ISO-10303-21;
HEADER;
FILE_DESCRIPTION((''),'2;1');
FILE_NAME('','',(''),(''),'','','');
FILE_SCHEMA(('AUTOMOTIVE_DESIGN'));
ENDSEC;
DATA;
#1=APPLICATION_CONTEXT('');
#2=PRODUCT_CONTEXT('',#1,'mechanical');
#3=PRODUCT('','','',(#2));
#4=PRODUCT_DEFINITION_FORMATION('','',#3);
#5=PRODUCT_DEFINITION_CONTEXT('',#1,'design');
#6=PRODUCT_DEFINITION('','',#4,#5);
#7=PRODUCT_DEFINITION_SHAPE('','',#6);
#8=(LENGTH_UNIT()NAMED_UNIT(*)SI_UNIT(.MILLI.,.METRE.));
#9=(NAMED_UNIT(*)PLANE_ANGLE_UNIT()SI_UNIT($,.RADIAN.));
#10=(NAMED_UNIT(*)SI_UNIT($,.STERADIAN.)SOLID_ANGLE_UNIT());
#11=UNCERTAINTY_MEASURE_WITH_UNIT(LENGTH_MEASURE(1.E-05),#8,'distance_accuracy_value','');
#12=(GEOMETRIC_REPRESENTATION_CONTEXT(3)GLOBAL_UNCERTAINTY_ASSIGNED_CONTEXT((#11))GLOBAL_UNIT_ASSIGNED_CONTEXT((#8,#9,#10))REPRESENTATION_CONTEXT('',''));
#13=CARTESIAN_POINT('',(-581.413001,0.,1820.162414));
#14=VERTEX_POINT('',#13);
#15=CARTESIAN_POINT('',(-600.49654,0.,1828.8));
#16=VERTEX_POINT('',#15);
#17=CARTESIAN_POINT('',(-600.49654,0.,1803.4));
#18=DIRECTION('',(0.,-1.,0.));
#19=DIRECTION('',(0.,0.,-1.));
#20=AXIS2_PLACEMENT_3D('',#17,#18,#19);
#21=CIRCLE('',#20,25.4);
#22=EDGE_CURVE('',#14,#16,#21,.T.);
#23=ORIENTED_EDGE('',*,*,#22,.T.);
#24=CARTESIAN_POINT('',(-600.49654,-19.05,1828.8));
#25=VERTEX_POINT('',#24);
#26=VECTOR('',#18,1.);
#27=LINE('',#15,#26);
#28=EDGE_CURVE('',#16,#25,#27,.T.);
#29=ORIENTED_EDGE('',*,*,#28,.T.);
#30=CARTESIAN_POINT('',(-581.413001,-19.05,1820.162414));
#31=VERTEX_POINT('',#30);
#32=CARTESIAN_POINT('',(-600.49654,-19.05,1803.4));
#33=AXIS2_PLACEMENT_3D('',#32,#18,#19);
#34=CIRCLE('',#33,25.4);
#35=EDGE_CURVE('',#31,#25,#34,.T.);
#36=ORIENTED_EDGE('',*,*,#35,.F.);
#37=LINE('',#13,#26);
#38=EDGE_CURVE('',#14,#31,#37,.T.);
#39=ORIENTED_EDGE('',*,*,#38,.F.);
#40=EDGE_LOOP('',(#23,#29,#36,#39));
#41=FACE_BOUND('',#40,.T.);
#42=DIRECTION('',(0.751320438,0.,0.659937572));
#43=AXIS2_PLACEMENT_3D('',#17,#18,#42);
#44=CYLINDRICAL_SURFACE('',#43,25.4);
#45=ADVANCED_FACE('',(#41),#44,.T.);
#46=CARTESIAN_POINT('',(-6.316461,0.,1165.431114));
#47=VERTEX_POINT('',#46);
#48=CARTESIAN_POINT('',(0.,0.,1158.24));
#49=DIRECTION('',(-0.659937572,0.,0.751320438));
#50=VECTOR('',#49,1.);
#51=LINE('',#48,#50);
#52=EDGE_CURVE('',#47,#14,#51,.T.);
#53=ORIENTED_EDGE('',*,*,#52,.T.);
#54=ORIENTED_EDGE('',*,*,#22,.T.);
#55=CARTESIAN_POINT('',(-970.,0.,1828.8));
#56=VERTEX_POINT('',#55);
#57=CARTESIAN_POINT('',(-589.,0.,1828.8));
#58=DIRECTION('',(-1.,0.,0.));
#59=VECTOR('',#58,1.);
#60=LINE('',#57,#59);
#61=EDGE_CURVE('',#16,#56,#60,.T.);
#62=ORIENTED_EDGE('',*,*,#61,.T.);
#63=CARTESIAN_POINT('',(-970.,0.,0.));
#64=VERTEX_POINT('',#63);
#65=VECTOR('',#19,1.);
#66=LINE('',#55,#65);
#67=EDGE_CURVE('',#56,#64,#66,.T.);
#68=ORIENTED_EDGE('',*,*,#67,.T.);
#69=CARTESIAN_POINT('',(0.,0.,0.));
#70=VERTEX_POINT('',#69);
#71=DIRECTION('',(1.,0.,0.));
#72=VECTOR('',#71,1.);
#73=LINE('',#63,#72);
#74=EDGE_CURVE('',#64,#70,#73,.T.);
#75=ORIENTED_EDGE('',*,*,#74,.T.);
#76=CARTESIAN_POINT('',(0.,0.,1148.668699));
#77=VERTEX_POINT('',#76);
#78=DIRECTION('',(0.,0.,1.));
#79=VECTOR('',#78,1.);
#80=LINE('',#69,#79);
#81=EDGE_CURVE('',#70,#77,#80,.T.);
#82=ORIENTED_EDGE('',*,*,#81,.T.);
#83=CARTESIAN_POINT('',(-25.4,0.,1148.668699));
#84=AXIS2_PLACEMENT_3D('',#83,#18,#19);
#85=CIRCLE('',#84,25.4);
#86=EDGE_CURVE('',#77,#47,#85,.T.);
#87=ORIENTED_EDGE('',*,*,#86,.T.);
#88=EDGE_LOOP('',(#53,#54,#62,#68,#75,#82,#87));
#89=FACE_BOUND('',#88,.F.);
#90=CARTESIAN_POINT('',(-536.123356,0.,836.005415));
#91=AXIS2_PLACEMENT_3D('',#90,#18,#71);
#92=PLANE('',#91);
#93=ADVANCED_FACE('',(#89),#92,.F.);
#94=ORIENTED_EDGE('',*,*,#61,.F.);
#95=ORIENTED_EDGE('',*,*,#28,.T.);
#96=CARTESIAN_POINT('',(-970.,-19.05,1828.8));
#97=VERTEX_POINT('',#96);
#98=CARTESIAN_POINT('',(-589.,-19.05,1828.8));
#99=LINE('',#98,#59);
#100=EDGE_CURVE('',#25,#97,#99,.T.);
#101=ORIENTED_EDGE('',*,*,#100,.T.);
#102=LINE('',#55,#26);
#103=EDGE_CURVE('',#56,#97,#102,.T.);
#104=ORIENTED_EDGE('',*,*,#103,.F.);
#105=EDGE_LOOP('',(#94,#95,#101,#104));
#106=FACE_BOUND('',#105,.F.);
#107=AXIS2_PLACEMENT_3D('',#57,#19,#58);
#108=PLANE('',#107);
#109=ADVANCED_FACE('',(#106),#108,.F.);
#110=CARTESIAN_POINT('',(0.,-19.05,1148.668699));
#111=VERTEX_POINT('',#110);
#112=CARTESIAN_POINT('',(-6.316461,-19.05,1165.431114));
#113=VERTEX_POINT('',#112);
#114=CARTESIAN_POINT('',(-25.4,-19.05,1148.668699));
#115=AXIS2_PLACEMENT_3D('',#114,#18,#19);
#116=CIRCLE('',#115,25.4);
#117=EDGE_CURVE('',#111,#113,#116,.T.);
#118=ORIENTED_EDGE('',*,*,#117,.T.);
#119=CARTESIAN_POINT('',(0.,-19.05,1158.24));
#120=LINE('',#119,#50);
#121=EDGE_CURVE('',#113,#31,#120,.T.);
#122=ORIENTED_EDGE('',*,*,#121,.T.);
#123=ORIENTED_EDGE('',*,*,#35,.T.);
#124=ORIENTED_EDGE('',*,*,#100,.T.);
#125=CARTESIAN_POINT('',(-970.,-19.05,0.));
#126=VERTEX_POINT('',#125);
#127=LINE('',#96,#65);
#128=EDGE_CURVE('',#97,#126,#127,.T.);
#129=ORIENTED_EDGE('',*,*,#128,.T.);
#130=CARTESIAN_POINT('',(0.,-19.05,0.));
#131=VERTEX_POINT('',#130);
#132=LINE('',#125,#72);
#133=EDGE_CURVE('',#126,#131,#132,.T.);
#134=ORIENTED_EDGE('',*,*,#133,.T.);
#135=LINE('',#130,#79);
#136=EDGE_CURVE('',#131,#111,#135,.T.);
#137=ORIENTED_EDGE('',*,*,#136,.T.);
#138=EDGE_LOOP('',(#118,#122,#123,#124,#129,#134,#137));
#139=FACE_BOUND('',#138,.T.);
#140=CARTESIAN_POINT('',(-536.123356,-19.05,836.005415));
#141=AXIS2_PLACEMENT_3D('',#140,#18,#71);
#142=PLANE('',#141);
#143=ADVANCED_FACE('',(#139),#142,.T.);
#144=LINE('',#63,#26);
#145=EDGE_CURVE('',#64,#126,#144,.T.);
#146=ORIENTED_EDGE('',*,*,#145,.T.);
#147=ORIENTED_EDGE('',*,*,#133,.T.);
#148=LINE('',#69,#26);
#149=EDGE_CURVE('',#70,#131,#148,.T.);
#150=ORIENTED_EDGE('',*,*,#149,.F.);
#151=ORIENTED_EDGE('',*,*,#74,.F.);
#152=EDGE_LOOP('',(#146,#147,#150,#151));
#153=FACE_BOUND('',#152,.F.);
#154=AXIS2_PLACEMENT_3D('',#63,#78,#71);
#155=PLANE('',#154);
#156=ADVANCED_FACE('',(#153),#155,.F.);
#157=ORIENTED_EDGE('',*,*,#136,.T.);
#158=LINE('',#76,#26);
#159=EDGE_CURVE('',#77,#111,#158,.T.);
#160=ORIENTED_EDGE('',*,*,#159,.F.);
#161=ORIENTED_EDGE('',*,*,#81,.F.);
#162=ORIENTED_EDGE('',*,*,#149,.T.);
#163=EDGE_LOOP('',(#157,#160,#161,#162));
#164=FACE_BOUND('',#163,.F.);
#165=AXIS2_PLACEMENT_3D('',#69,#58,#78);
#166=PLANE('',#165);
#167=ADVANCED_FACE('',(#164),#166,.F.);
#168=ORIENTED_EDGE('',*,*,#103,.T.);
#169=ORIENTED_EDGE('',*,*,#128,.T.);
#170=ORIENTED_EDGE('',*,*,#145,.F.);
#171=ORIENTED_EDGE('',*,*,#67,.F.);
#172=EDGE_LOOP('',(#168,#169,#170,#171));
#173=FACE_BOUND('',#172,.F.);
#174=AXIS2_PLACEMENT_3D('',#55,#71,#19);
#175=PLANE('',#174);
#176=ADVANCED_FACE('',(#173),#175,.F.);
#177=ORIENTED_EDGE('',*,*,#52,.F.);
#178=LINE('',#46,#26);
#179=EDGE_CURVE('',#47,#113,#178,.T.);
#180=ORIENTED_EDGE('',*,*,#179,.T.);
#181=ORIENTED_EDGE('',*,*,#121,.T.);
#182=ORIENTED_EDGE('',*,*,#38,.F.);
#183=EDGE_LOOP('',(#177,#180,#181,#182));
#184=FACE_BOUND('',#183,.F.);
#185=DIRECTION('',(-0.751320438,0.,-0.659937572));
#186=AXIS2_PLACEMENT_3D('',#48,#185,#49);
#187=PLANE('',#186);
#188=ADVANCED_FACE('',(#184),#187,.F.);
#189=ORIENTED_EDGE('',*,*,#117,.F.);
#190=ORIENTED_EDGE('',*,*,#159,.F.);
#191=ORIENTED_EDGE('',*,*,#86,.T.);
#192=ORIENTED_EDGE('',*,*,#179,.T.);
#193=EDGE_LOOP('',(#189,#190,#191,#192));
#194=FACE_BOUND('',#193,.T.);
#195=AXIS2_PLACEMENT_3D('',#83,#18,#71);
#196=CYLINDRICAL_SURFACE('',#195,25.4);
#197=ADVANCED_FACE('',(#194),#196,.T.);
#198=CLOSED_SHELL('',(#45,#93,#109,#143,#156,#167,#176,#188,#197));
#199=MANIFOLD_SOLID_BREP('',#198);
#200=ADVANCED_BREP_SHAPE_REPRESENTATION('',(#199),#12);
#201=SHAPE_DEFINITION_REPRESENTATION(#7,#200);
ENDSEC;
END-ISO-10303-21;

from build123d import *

# Parameters (mm, degrees)
F1_DEPTH = 19.05
F2_R     = 25.4


with BuildPart() as f1:
    # F0 (on Front) → F1 (new body)
    with BuildSketch(Plane.XZ):
        Polygon((-970, 0), (0, 0), (0, 1158.24), (-589, 1828.8), (-970, 1828.8), align=None)
    extrude(amount=F1_DEPTH)

    # F2
    f2_edges = [f1.edges().sort_by_distance(p)[0] for p in [
        (-589, -9.525, 1828.8),
        (0, -9.525, 1158.24),
    ]]
    fillet(f2_edges, radius=F2_R)


solid = f1.part
